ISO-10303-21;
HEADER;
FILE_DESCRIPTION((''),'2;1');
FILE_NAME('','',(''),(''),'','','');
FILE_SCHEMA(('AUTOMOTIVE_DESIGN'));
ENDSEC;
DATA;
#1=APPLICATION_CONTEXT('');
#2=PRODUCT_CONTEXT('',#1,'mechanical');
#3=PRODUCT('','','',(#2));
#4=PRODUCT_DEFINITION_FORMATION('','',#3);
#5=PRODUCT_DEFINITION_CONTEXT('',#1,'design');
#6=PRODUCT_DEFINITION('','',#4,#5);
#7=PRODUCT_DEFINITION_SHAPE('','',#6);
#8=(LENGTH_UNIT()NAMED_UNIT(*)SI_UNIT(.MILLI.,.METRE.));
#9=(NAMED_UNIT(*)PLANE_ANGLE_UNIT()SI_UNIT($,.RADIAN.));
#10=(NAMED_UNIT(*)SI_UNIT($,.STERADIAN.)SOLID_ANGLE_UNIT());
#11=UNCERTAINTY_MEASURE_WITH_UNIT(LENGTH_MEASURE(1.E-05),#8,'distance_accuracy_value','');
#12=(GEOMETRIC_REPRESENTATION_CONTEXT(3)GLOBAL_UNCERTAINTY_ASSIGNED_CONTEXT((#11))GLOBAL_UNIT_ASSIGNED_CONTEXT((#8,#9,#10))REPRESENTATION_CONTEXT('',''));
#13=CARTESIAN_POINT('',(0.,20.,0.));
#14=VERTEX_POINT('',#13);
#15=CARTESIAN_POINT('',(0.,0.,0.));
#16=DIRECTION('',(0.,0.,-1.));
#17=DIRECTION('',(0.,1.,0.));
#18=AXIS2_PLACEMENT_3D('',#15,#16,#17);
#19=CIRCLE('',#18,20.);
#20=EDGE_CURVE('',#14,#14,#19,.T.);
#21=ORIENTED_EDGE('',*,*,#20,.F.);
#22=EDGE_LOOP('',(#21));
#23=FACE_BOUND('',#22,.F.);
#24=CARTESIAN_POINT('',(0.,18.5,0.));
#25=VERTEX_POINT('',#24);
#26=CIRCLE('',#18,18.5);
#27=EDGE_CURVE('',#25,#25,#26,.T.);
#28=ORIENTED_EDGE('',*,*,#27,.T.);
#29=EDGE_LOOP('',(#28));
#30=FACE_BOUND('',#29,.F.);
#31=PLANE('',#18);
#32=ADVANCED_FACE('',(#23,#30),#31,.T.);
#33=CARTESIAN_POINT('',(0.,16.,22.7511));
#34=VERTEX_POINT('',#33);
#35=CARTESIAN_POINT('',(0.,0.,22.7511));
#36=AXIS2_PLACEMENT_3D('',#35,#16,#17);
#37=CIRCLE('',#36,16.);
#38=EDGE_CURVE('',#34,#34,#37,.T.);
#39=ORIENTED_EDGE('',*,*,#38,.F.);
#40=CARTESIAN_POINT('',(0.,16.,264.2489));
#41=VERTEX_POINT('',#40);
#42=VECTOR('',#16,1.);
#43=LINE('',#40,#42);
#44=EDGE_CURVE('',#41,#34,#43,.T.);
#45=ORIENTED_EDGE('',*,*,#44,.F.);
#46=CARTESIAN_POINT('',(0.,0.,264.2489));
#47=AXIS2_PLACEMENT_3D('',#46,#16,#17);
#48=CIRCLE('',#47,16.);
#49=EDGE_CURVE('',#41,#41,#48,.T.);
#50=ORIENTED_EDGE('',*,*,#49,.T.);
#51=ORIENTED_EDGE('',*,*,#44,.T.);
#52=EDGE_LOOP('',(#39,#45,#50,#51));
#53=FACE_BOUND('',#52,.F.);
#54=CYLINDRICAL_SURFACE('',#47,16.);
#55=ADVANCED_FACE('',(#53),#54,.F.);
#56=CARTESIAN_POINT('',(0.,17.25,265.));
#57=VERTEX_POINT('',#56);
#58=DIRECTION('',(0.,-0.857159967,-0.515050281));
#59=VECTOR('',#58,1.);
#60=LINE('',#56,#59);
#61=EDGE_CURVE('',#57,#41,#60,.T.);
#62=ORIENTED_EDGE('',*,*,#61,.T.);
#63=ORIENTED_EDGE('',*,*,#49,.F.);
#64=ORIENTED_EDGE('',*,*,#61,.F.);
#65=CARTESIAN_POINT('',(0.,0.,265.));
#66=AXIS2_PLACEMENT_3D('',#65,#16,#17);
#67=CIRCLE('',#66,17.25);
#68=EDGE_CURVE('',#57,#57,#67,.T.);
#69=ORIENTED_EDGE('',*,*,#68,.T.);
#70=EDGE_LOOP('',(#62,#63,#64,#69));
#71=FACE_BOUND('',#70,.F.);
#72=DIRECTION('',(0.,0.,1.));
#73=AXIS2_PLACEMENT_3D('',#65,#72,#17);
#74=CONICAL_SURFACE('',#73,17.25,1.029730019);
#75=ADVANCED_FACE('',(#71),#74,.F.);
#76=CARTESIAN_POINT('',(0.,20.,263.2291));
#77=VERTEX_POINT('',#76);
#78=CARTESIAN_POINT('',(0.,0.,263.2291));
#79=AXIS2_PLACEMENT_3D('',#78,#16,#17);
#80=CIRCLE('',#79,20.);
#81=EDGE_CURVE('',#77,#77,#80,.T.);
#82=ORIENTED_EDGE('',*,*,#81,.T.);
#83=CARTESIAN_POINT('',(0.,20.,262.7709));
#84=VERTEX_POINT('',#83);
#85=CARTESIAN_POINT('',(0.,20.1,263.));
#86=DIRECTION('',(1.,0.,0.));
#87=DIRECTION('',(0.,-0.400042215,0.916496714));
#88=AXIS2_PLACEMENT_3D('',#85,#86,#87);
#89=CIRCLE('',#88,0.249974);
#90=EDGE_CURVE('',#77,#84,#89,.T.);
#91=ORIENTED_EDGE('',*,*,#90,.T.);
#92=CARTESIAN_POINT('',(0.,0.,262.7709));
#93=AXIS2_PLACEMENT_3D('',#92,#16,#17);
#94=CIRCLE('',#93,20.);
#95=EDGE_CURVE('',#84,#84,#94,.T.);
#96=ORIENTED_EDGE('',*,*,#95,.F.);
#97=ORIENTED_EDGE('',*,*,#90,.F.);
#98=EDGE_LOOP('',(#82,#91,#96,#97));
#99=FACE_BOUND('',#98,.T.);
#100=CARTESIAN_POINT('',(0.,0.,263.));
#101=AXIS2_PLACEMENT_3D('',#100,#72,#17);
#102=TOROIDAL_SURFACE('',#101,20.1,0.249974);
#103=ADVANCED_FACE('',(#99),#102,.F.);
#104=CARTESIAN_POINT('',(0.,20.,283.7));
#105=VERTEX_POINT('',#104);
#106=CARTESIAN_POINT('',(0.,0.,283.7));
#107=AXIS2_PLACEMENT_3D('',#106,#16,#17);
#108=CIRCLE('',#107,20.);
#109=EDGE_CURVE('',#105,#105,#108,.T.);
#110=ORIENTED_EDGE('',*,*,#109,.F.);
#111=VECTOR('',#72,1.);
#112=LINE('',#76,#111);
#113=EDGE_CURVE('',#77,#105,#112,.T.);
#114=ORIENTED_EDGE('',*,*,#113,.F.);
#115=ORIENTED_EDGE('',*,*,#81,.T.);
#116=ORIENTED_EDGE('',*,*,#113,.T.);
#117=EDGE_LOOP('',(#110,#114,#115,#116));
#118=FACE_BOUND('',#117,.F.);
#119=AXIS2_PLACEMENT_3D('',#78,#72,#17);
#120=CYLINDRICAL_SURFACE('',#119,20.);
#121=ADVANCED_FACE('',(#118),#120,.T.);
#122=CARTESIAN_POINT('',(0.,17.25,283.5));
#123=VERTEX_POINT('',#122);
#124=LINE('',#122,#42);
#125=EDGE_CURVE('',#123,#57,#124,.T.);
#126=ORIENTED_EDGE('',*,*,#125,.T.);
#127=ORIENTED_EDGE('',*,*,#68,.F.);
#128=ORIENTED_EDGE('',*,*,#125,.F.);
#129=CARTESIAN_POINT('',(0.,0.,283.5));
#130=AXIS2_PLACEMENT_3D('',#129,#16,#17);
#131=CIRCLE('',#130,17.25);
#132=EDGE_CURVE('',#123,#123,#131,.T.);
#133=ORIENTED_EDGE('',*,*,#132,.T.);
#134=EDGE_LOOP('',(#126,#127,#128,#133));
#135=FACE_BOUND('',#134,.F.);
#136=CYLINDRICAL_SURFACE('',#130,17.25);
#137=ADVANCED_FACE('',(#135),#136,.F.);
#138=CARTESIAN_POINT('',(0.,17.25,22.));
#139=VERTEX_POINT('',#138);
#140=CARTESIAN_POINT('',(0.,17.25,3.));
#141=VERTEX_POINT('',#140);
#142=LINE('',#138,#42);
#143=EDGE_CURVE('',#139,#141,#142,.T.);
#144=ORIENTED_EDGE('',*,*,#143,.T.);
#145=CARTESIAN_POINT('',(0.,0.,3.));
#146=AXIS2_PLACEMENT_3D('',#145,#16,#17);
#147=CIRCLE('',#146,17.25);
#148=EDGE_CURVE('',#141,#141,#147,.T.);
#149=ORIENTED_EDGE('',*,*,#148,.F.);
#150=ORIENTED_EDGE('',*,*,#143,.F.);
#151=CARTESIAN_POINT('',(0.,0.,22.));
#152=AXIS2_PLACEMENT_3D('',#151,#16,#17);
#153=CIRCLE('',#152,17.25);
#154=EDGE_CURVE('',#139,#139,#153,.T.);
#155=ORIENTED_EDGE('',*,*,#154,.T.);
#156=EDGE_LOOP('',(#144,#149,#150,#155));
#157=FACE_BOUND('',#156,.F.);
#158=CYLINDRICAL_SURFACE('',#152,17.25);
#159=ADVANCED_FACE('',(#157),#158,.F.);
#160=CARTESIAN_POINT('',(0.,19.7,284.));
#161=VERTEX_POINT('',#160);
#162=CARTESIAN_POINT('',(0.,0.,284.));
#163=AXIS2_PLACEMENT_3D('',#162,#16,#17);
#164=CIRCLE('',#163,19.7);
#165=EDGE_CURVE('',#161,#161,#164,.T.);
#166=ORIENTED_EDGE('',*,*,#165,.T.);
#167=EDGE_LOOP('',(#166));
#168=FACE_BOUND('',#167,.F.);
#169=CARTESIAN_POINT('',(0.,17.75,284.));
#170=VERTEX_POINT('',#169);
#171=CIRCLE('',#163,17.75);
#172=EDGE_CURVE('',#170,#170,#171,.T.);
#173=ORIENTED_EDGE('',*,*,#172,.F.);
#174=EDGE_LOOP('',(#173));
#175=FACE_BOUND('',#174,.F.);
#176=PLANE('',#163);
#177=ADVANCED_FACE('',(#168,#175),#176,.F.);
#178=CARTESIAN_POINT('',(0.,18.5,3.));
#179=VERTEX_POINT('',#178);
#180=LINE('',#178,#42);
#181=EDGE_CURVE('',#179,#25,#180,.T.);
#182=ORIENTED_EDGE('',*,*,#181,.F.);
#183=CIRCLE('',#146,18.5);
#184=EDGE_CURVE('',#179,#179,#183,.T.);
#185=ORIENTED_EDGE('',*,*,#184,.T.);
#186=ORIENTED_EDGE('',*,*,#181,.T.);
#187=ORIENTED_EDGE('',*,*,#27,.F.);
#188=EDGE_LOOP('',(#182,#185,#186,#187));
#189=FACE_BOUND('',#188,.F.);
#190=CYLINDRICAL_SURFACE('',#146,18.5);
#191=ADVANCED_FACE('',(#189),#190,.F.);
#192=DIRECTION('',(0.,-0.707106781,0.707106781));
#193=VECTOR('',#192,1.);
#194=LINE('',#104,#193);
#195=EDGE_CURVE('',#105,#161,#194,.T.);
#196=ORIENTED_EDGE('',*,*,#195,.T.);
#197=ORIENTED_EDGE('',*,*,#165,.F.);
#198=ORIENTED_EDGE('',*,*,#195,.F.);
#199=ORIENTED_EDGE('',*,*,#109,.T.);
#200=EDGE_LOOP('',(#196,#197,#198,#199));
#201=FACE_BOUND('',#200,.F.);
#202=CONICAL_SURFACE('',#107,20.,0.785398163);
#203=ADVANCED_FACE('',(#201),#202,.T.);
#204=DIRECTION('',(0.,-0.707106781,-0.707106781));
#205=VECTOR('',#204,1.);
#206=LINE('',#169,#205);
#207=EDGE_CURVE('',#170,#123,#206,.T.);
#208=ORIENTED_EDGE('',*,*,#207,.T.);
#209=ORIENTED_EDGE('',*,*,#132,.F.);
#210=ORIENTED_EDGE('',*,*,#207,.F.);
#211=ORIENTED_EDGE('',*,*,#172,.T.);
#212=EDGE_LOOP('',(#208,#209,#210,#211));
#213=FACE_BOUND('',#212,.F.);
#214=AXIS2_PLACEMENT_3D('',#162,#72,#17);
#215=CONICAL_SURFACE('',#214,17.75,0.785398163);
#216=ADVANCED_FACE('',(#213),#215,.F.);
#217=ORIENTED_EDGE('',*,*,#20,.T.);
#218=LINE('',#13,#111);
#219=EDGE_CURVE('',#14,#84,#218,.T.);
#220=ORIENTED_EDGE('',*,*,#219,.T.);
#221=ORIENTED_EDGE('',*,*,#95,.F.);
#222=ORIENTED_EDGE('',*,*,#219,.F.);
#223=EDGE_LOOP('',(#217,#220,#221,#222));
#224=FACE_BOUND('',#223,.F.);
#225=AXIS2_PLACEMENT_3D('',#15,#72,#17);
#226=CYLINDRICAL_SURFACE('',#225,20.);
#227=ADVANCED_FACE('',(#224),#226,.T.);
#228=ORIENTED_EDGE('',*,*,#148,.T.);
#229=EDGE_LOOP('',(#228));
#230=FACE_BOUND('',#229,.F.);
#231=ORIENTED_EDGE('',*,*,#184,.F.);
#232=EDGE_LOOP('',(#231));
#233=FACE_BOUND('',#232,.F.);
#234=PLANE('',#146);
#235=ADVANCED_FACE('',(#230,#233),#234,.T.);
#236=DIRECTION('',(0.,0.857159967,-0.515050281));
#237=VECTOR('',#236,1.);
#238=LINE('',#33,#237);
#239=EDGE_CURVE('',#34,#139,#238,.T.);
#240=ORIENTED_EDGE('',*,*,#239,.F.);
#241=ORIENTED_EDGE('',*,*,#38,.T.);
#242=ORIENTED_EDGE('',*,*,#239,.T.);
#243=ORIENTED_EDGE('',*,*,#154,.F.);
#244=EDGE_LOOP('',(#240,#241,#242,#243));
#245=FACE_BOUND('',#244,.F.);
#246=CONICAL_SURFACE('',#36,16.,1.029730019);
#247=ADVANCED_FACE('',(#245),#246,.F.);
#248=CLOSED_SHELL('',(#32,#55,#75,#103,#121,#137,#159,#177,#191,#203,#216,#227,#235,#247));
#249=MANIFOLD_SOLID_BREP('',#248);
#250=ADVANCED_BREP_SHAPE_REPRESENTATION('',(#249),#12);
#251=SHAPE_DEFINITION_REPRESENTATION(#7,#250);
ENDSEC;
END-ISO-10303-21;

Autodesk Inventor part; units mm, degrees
sketch "Sketch_1" plane through (0, 0, 0) normal (1, 0, 0) x (0, 0, -1)
  line L0 (0, 0) -> (-284, 0)
  line L1 (-284, 19.7) -> (-284, 17.75)
  line L2 (-284, 17.75) -> (-283.5, 17.25)
  line L3 (-283.5, 17.25) -> (-265, 17.25)
  line L4 (-265, 17.25) -> (-264.2489, 16)
  line L5 (-264.2489, 16) -> (-22.7511, 16)
  line L6 (-22.7511, 16) -> (-22, 17.25)
  line L7 (-22, 17.25) -> (-3, 17.25)
  line L8 (-3, 17.25) -> (-3, 18.5)
  line L9 (-3, 18.5) -> (0, 18.5)
  line L10 (0, 18.5) -> (0, 20)
  line L11 (0, 20) -> (-262.7709, 20)
  arc A0 (-263.2291, 20) -> (-262.7709, 20) centre (-263, 20.1) ccw
  line L12 (-263.2291, 20) -> (-283.7, 20)
  line L13 (-283.7, 20) -> (-284, 19.7)
revolve "Revolution1" add sketch "Sketch_1" angle 360 about axis through (0, 0, 0) along (0, 0, -1)
ref_plane "ABDECKKAPPE_XY" through (0, 0, 258) normal (0, 0, 1) x (1, 0, 0)
ref_plane "ABDECKKAPPE_YZ" through (0, 0, 258) normal (1, 0, 0) x (0, 1, 0)
ref_plane "ABDECKKAPPE_ZX" through (0, 0, 258) normal (0, 1, 0) x (0, 0, 1)
ref_plane "SCHUBSTANGE_XY" through (0, 0, 284) normal (0, 0, -1) x (1, 0, 0)
ref_plane "SCHUBSTANGE_YZ" through (0, 0, 284) normal (1, 0, 0) x (0, -1, 0)
ref_plane "SCHUBSTANGE_ZX" through (0, 0, 284) normal (0, -1, 0) x (0, 0, -1)
properties part number "SLZ_63_Schubstange#_274_2001"
